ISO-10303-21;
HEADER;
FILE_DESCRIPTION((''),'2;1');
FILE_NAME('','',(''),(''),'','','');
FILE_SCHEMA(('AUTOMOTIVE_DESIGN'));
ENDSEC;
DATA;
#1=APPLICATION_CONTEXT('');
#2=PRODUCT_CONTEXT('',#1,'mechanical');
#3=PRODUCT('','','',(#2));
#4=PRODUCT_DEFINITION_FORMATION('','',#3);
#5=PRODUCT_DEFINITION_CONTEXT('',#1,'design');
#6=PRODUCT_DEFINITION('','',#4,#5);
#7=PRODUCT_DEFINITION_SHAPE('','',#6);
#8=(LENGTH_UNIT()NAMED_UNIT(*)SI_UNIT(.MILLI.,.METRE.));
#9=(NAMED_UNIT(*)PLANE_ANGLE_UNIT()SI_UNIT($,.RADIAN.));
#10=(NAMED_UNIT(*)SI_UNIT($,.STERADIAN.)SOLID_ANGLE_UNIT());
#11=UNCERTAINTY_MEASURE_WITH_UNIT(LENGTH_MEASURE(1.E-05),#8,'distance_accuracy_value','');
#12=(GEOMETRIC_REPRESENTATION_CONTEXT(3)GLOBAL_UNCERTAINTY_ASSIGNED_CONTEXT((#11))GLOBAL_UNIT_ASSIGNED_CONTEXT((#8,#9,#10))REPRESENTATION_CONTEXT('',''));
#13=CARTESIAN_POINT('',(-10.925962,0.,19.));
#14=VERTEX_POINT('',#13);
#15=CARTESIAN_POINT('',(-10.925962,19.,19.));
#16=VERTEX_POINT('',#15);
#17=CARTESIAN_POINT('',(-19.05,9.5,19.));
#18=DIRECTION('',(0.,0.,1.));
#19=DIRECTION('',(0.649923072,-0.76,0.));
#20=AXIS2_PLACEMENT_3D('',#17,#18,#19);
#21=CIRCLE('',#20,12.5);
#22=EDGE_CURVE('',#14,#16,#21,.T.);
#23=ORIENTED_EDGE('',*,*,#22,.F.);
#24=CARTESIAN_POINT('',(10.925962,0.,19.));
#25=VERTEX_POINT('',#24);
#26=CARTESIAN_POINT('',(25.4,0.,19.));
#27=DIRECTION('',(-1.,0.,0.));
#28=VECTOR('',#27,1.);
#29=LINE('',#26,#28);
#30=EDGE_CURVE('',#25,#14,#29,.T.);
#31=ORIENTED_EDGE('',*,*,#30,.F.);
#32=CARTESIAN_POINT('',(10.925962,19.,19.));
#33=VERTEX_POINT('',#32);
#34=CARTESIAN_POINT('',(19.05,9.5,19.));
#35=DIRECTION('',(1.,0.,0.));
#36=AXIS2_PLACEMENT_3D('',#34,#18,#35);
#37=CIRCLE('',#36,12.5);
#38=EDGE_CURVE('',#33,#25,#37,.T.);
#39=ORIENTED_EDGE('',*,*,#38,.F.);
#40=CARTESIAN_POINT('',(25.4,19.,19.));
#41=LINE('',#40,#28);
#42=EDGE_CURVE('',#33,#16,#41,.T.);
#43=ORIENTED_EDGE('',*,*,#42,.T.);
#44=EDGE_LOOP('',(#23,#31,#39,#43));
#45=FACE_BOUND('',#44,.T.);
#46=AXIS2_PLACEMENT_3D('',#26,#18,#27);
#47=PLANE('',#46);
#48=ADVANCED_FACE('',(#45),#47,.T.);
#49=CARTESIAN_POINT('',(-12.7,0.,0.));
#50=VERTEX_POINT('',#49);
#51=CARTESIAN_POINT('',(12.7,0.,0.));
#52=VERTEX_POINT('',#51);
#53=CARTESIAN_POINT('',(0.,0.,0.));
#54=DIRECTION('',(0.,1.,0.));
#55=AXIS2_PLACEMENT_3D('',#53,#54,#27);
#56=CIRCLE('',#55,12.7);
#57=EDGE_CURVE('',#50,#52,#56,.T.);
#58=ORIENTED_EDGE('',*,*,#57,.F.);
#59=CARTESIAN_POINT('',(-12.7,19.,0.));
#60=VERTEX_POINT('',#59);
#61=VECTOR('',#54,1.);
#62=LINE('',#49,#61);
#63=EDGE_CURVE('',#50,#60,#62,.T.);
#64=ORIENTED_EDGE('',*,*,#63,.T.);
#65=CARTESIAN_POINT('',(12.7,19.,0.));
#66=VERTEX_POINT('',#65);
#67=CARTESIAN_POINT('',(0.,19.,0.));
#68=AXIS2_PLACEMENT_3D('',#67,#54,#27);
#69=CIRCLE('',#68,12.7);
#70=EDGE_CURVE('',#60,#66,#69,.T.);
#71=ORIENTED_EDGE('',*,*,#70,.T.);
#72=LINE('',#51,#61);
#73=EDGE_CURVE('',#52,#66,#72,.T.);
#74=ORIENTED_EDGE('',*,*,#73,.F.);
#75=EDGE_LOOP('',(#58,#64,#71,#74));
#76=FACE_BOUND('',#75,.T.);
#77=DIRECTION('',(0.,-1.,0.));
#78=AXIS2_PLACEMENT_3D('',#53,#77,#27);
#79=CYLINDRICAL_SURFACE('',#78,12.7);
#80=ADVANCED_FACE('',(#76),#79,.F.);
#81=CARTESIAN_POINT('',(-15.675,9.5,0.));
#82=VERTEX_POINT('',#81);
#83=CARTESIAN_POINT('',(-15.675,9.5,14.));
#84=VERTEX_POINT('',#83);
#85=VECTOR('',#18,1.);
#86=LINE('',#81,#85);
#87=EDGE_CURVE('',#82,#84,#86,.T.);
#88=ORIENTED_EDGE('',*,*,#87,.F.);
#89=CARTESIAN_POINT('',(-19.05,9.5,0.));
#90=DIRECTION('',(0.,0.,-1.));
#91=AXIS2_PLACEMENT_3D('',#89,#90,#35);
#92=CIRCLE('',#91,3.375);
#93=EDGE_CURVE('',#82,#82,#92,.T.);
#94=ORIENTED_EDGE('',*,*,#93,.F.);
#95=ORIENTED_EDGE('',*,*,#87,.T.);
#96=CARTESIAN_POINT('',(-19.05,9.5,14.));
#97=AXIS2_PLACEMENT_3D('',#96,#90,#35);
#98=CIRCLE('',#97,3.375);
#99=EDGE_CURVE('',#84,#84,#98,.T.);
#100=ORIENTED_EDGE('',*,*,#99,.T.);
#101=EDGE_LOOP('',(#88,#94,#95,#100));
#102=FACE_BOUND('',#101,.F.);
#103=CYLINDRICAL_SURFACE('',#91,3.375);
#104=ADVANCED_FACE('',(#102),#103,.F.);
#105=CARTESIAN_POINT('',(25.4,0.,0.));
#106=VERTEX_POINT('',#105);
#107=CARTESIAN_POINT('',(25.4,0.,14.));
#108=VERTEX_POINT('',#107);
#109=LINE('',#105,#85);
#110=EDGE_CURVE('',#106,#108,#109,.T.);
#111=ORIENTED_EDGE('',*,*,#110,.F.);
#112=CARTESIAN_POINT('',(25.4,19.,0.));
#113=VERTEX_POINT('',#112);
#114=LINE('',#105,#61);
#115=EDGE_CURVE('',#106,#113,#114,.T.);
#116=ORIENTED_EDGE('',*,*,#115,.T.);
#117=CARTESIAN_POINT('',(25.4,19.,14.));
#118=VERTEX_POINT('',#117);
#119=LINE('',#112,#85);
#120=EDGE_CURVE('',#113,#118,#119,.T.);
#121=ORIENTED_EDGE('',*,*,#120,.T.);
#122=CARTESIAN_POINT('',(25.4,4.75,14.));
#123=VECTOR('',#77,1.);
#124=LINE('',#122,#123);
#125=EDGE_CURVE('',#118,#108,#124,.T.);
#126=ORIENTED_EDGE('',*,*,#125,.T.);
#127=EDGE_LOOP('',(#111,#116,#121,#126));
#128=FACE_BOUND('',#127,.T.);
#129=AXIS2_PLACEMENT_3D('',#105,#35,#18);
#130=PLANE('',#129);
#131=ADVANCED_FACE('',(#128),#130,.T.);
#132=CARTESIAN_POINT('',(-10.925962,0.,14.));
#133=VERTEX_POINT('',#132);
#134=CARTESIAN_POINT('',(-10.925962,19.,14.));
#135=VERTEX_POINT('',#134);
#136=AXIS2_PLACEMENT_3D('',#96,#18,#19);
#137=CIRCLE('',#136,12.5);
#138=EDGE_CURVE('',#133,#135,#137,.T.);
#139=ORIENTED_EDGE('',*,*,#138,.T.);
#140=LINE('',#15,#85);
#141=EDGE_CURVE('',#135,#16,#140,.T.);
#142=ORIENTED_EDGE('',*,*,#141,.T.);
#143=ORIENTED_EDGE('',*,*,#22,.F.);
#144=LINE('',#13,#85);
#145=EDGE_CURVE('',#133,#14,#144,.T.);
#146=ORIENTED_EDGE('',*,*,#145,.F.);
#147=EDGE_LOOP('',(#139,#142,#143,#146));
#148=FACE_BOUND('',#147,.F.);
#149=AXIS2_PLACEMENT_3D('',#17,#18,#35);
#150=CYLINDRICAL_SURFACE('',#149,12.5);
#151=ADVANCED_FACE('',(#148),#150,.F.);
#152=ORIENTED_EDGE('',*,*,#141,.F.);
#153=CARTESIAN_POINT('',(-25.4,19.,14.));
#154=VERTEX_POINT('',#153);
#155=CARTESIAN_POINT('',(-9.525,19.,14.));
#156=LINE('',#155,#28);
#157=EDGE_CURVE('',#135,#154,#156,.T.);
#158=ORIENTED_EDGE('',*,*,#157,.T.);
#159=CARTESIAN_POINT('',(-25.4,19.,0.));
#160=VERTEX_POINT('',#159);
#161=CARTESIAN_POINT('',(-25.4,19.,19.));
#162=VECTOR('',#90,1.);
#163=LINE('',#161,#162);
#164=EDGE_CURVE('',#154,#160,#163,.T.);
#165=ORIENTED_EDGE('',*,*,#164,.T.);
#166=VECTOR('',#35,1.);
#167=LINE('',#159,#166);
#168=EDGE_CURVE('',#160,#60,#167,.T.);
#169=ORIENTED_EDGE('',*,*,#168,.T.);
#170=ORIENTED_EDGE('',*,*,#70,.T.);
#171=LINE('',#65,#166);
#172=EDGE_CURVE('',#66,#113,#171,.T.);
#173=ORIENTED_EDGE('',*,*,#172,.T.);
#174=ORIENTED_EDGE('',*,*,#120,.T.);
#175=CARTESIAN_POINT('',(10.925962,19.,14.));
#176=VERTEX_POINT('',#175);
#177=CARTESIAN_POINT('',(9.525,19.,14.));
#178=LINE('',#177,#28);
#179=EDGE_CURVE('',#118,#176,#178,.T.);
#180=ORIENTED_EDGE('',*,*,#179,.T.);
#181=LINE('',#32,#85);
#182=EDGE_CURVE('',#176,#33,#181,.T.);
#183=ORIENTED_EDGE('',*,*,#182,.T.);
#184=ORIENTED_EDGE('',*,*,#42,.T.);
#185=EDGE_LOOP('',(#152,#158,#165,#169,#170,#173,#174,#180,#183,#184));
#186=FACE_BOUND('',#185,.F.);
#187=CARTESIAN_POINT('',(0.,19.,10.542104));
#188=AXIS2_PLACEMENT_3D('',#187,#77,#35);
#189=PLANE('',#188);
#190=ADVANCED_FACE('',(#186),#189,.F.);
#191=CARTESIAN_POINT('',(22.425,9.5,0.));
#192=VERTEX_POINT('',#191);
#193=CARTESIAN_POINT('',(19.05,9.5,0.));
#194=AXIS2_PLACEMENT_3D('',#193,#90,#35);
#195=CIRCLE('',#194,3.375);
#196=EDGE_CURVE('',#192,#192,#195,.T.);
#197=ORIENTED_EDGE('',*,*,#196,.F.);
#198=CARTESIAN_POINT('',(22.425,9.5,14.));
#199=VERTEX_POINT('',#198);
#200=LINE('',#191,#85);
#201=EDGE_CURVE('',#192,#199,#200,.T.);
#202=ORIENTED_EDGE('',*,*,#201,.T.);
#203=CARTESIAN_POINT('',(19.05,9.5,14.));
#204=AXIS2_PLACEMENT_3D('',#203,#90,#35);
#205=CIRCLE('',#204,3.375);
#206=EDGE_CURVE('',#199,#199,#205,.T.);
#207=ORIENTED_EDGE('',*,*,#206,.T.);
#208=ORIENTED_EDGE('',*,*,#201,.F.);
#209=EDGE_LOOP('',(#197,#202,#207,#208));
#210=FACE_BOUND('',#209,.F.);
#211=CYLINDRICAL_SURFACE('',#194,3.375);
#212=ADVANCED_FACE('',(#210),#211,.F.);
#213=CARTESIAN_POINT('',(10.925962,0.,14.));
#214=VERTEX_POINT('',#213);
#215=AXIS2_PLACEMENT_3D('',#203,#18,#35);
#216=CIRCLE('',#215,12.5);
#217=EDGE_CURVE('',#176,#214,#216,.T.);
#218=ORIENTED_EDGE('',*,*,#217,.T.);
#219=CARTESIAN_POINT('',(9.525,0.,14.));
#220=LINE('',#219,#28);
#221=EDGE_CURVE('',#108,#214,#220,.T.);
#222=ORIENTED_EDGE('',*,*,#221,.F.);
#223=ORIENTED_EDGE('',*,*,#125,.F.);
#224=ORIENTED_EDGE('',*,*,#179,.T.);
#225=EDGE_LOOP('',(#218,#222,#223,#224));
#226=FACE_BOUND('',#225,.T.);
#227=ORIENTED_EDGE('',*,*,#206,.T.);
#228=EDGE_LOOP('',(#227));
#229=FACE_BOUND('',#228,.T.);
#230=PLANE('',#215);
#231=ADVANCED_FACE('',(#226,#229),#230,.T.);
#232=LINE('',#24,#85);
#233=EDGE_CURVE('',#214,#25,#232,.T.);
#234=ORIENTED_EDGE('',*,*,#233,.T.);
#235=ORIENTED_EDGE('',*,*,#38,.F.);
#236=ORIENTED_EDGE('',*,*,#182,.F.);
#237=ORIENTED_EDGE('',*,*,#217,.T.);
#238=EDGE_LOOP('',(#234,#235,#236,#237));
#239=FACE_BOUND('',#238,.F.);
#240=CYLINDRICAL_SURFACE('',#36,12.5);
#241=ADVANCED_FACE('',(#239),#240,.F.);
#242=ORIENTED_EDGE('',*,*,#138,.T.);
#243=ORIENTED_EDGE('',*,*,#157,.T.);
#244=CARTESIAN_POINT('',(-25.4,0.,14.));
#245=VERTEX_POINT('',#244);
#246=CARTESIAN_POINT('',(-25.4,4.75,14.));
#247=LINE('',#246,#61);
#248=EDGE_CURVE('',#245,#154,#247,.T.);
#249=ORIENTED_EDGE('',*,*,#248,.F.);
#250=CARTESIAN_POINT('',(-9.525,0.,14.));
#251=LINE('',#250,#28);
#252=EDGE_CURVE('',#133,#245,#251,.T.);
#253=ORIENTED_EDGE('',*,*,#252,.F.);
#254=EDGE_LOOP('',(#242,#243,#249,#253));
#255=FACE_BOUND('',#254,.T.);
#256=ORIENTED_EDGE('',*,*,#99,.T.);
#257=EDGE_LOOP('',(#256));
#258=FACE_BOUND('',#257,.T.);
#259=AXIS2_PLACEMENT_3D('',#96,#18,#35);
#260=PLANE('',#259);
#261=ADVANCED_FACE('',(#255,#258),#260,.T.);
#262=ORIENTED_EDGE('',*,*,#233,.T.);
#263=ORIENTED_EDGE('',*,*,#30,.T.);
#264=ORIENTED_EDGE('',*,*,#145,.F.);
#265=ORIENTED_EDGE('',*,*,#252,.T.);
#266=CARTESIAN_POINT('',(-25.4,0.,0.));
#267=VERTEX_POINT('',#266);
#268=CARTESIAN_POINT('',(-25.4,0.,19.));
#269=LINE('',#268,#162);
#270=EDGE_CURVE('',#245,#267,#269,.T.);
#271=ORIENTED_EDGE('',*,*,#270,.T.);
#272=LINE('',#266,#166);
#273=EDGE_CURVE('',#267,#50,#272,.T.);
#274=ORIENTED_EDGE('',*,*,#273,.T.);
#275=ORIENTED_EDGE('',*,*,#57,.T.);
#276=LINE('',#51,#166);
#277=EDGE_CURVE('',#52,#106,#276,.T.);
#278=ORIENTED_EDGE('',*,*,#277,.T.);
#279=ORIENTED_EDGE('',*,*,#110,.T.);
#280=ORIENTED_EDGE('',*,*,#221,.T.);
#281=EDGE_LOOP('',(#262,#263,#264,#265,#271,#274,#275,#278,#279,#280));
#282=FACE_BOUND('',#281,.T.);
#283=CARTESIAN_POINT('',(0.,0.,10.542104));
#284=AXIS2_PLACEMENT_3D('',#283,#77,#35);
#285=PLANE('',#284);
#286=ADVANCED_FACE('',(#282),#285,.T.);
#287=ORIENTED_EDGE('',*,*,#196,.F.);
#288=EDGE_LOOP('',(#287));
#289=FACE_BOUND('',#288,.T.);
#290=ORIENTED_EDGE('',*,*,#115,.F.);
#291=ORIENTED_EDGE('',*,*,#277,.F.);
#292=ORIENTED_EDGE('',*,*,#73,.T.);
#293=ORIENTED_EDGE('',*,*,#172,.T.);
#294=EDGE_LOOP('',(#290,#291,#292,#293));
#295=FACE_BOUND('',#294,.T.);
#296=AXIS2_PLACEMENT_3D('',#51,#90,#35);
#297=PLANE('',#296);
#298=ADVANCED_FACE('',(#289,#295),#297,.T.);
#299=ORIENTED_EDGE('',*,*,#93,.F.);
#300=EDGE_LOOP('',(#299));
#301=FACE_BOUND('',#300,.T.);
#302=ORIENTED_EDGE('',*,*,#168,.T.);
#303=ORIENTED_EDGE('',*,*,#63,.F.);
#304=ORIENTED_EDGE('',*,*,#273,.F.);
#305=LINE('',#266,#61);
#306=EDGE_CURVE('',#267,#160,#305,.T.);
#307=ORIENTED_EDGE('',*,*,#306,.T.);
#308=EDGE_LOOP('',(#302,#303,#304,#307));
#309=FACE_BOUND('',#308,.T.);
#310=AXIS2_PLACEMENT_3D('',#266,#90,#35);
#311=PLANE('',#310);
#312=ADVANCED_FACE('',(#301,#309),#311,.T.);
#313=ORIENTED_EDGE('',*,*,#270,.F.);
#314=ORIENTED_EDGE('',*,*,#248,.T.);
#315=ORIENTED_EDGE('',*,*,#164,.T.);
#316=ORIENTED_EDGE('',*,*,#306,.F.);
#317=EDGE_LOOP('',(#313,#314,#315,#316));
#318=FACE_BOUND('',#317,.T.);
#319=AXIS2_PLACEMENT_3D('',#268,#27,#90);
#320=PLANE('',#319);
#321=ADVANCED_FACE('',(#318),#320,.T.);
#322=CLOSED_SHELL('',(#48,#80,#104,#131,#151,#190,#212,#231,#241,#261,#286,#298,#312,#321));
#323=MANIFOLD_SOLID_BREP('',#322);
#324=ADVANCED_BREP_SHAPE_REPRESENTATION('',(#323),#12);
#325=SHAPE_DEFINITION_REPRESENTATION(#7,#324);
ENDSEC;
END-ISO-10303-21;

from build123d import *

# Parameters (mm, degrees)
F1_DEPTH = 19
F2_R     = 3.375
F3_DEPTH = 19
F4_R     = 12.5
F5_DEPTH = 5


with BuildPart() as f1:
    # F0 (on Front) → F1 (new body)
    with BuildSketch(Plane.XZ):
        with BuildLine():
            ThreePointArc((-12.7, 0), (0, 12.7), (12.7, 0))
            Line((12.7, 0), (25.4, 0))
            Line((25.4, 0), (25.4, 19))
            Line((25.4, 19), (-25.4, 19))
            Line((-25.4, 19), (-25.4, 0))
            Line((-25.4, 0), (-12.7, 0))
        make_face()
    extrude(amount=-F1_DEPTH)

    # F2 (on face) → F3 (cut, through all)
    with BuildSketch(Plane(origin=(0, 0, 0), x_dir=(1, 0, 0), z_dir=(0, 0, -1))):
        with Locations((-19.05, -9.5)):
            Circle(F2_R)
        with Locations((19.05, -9.5)):
            Circle(F2_R)
    extrude(amount=-F3_DEPTH, mode=Mode.SUBTRACT)

    # F4 (on face) → F5 (cut)
    with BuildSketch(Plane.XY.offset(19)):
        with Locations((-19.05, 9.5)):
            Circle(F4_R)
        with Locations((19.05, 9.5)):
            Circle(F4_R)
    extrude(amount=-F5_DEPTH, mode=Mode.SUBTRACT)


solid = f1.part
